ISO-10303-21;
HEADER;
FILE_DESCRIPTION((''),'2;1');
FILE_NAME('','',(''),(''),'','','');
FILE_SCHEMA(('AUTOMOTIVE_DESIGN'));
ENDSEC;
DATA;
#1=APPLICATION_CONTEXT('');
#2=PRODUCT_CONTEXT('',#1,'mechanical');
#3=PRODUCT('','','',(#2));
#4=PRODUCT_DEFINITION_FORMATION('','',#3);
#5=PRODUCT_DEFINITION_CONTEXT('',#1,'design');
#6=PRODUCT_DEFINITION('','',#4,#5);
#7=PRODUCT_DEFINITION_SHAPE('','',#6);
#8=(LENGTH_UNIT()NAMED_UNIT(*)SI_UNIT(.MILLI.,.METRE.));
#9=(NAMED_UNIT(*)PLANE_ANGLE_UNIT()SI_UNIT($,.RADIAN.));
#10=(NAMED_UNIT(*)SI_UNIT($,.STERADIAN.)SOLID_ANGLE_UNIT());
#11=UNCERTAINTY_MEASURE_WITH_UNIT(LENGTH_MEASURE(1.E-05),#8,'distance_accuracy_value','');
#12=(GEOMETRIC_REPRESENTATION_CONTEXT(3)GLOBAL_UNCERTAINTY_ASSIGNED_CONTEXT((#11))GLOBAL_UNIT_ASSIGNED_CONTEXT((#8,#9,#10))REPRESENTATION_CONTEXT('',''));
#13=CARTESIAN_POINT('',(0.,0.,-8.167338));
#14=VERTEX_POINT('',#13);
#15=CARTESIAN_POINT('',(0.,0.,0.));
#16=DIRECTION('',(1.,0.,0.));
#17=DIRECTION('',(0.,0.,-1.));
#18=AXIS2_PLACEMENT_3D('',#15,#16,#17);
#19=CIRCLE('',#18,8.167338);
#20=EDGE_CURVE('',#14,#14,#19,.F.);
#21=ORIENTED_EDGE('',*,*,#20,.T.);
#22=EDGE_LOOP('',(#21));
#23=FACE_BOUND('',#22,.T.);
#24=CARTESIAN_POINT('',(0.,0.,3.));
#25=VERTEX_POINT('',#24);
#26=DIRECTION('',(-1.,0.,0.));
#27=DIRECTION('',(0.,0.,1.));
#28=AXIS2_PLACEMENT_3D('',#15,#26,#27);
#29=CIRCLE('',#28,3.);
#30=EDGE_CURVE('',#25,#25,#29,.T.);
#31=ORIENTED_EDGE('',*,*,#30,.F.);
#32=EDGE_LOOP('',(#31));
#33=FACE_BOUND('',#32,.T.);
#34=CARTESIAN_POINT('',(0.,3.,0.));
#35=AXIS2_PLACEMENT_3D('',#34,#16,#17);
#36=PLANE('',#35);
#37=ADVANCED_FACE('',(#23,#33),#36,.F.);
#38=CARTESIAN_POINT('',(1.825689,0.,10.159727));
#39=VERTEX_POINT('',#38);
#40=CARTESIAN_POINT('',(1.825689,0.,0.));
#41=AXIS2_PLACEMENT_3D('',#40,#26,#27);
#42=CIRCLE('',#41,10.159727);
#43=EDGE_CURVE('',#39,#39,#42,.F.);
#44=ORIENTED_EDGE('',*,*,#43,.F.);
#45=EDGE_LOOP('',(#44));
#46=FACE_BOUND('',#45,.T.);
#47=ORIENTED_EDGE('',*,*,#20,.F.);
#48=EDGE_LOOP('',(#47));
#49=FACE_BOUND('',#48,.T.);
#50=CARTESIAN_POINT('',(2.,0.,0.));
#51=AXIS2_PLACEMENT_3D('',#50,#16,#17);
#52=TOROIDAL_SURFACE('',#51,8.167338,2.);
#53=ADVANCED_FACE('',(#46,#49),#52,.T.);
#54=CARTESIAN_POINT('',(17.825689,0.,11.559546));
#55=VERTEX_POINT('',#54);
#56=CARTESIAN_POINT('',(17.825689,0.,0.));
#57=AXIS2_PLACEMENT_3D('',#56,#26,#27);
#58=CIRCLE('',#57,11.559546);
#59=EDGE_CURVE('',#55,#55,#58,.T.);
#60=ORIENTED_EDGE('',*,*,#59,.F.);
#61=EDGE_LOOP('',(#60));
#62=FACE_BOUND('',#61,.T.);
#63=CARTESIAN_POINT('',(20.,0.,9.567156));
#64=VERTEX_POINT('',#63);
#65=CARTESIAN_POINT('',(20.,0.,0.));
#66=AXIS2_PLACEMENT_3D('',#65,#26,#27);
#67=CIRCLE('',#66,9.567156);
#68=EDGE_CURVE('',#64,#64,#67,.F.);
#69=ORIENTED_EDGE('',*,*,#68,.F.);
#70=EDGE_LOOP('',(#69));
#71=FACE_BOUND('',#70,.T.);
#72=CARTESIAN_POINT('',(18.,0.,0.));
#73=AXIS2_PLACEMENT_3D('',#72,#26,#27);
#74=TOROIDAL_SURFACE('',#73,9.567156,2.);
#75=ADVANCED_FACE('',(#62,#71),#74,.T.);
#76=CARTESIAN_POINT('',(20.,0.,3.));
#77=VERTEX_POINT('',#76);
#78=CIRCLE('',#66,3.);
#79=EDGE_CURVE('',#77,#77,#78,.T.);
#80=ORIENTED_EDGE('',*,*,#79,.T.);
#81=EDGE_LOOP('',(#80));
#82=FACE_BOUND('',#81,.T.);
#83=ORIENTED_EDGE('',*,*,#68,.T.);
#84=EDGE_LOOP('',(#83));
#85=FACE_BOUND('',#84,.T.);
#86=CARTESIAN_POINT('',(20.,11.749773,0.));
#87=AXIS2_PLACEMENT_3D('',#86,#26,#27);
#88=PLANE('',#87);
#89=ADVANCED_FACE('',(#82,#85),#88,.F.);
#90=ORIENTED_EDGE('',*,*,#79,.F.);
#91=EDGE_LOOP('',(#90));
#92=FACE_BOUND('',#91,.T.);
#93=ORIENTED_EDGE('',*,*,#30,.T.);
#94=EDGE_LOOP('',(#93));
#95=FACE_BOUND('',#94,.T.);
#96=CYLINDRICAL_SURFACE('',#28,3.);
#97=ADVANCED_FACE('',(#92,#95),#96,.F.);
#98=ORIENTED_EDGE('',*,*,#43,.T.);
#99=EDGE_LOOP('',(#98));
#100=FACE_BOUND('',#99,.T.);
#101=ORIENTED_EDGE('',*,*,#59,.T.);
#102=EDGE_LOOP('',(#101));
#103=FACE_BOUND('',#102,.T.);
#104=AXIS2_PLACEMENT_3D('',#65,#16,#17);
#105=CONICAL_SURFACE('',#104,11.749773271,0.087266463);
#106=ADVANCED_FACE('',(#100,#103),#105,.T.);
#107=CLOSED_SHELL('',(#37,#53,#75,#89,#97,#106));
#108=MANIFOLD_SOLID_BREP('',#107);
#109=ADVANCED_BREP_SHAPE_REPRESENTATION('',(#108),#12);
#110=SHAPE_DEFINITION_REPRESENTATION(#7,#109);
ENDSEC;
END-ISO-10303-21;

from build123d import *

# Parameters (mm, degrees)
FILETE1_R = 2


with BuildPart() as part:
    # Esboço1 → Revolução1 (revolve)
    with BuildSketch(Plane.XY, mode=Mode.PRIVATE) as revolu_o1_sk:
        Polygon((0, 3), (0, 10), (20, 11.749773271), (20, 3), align=None)
    revolve(revolu_o1_sk.sketch.rotate(Axis((0, 0, 0), (1, 0, 0)), 90), axis=Axis((0, 0, 0), (1, 0, 0)))

    # Filete1
    filete1_edges = [part.edges().sort_by_distance(p)[0] for p in [
        (20, 0, -11.749773271),
        (0, 0, -10),
    ]]
    fillet(filete1_edges, radius=FILETE1_R)


solid = part.part
